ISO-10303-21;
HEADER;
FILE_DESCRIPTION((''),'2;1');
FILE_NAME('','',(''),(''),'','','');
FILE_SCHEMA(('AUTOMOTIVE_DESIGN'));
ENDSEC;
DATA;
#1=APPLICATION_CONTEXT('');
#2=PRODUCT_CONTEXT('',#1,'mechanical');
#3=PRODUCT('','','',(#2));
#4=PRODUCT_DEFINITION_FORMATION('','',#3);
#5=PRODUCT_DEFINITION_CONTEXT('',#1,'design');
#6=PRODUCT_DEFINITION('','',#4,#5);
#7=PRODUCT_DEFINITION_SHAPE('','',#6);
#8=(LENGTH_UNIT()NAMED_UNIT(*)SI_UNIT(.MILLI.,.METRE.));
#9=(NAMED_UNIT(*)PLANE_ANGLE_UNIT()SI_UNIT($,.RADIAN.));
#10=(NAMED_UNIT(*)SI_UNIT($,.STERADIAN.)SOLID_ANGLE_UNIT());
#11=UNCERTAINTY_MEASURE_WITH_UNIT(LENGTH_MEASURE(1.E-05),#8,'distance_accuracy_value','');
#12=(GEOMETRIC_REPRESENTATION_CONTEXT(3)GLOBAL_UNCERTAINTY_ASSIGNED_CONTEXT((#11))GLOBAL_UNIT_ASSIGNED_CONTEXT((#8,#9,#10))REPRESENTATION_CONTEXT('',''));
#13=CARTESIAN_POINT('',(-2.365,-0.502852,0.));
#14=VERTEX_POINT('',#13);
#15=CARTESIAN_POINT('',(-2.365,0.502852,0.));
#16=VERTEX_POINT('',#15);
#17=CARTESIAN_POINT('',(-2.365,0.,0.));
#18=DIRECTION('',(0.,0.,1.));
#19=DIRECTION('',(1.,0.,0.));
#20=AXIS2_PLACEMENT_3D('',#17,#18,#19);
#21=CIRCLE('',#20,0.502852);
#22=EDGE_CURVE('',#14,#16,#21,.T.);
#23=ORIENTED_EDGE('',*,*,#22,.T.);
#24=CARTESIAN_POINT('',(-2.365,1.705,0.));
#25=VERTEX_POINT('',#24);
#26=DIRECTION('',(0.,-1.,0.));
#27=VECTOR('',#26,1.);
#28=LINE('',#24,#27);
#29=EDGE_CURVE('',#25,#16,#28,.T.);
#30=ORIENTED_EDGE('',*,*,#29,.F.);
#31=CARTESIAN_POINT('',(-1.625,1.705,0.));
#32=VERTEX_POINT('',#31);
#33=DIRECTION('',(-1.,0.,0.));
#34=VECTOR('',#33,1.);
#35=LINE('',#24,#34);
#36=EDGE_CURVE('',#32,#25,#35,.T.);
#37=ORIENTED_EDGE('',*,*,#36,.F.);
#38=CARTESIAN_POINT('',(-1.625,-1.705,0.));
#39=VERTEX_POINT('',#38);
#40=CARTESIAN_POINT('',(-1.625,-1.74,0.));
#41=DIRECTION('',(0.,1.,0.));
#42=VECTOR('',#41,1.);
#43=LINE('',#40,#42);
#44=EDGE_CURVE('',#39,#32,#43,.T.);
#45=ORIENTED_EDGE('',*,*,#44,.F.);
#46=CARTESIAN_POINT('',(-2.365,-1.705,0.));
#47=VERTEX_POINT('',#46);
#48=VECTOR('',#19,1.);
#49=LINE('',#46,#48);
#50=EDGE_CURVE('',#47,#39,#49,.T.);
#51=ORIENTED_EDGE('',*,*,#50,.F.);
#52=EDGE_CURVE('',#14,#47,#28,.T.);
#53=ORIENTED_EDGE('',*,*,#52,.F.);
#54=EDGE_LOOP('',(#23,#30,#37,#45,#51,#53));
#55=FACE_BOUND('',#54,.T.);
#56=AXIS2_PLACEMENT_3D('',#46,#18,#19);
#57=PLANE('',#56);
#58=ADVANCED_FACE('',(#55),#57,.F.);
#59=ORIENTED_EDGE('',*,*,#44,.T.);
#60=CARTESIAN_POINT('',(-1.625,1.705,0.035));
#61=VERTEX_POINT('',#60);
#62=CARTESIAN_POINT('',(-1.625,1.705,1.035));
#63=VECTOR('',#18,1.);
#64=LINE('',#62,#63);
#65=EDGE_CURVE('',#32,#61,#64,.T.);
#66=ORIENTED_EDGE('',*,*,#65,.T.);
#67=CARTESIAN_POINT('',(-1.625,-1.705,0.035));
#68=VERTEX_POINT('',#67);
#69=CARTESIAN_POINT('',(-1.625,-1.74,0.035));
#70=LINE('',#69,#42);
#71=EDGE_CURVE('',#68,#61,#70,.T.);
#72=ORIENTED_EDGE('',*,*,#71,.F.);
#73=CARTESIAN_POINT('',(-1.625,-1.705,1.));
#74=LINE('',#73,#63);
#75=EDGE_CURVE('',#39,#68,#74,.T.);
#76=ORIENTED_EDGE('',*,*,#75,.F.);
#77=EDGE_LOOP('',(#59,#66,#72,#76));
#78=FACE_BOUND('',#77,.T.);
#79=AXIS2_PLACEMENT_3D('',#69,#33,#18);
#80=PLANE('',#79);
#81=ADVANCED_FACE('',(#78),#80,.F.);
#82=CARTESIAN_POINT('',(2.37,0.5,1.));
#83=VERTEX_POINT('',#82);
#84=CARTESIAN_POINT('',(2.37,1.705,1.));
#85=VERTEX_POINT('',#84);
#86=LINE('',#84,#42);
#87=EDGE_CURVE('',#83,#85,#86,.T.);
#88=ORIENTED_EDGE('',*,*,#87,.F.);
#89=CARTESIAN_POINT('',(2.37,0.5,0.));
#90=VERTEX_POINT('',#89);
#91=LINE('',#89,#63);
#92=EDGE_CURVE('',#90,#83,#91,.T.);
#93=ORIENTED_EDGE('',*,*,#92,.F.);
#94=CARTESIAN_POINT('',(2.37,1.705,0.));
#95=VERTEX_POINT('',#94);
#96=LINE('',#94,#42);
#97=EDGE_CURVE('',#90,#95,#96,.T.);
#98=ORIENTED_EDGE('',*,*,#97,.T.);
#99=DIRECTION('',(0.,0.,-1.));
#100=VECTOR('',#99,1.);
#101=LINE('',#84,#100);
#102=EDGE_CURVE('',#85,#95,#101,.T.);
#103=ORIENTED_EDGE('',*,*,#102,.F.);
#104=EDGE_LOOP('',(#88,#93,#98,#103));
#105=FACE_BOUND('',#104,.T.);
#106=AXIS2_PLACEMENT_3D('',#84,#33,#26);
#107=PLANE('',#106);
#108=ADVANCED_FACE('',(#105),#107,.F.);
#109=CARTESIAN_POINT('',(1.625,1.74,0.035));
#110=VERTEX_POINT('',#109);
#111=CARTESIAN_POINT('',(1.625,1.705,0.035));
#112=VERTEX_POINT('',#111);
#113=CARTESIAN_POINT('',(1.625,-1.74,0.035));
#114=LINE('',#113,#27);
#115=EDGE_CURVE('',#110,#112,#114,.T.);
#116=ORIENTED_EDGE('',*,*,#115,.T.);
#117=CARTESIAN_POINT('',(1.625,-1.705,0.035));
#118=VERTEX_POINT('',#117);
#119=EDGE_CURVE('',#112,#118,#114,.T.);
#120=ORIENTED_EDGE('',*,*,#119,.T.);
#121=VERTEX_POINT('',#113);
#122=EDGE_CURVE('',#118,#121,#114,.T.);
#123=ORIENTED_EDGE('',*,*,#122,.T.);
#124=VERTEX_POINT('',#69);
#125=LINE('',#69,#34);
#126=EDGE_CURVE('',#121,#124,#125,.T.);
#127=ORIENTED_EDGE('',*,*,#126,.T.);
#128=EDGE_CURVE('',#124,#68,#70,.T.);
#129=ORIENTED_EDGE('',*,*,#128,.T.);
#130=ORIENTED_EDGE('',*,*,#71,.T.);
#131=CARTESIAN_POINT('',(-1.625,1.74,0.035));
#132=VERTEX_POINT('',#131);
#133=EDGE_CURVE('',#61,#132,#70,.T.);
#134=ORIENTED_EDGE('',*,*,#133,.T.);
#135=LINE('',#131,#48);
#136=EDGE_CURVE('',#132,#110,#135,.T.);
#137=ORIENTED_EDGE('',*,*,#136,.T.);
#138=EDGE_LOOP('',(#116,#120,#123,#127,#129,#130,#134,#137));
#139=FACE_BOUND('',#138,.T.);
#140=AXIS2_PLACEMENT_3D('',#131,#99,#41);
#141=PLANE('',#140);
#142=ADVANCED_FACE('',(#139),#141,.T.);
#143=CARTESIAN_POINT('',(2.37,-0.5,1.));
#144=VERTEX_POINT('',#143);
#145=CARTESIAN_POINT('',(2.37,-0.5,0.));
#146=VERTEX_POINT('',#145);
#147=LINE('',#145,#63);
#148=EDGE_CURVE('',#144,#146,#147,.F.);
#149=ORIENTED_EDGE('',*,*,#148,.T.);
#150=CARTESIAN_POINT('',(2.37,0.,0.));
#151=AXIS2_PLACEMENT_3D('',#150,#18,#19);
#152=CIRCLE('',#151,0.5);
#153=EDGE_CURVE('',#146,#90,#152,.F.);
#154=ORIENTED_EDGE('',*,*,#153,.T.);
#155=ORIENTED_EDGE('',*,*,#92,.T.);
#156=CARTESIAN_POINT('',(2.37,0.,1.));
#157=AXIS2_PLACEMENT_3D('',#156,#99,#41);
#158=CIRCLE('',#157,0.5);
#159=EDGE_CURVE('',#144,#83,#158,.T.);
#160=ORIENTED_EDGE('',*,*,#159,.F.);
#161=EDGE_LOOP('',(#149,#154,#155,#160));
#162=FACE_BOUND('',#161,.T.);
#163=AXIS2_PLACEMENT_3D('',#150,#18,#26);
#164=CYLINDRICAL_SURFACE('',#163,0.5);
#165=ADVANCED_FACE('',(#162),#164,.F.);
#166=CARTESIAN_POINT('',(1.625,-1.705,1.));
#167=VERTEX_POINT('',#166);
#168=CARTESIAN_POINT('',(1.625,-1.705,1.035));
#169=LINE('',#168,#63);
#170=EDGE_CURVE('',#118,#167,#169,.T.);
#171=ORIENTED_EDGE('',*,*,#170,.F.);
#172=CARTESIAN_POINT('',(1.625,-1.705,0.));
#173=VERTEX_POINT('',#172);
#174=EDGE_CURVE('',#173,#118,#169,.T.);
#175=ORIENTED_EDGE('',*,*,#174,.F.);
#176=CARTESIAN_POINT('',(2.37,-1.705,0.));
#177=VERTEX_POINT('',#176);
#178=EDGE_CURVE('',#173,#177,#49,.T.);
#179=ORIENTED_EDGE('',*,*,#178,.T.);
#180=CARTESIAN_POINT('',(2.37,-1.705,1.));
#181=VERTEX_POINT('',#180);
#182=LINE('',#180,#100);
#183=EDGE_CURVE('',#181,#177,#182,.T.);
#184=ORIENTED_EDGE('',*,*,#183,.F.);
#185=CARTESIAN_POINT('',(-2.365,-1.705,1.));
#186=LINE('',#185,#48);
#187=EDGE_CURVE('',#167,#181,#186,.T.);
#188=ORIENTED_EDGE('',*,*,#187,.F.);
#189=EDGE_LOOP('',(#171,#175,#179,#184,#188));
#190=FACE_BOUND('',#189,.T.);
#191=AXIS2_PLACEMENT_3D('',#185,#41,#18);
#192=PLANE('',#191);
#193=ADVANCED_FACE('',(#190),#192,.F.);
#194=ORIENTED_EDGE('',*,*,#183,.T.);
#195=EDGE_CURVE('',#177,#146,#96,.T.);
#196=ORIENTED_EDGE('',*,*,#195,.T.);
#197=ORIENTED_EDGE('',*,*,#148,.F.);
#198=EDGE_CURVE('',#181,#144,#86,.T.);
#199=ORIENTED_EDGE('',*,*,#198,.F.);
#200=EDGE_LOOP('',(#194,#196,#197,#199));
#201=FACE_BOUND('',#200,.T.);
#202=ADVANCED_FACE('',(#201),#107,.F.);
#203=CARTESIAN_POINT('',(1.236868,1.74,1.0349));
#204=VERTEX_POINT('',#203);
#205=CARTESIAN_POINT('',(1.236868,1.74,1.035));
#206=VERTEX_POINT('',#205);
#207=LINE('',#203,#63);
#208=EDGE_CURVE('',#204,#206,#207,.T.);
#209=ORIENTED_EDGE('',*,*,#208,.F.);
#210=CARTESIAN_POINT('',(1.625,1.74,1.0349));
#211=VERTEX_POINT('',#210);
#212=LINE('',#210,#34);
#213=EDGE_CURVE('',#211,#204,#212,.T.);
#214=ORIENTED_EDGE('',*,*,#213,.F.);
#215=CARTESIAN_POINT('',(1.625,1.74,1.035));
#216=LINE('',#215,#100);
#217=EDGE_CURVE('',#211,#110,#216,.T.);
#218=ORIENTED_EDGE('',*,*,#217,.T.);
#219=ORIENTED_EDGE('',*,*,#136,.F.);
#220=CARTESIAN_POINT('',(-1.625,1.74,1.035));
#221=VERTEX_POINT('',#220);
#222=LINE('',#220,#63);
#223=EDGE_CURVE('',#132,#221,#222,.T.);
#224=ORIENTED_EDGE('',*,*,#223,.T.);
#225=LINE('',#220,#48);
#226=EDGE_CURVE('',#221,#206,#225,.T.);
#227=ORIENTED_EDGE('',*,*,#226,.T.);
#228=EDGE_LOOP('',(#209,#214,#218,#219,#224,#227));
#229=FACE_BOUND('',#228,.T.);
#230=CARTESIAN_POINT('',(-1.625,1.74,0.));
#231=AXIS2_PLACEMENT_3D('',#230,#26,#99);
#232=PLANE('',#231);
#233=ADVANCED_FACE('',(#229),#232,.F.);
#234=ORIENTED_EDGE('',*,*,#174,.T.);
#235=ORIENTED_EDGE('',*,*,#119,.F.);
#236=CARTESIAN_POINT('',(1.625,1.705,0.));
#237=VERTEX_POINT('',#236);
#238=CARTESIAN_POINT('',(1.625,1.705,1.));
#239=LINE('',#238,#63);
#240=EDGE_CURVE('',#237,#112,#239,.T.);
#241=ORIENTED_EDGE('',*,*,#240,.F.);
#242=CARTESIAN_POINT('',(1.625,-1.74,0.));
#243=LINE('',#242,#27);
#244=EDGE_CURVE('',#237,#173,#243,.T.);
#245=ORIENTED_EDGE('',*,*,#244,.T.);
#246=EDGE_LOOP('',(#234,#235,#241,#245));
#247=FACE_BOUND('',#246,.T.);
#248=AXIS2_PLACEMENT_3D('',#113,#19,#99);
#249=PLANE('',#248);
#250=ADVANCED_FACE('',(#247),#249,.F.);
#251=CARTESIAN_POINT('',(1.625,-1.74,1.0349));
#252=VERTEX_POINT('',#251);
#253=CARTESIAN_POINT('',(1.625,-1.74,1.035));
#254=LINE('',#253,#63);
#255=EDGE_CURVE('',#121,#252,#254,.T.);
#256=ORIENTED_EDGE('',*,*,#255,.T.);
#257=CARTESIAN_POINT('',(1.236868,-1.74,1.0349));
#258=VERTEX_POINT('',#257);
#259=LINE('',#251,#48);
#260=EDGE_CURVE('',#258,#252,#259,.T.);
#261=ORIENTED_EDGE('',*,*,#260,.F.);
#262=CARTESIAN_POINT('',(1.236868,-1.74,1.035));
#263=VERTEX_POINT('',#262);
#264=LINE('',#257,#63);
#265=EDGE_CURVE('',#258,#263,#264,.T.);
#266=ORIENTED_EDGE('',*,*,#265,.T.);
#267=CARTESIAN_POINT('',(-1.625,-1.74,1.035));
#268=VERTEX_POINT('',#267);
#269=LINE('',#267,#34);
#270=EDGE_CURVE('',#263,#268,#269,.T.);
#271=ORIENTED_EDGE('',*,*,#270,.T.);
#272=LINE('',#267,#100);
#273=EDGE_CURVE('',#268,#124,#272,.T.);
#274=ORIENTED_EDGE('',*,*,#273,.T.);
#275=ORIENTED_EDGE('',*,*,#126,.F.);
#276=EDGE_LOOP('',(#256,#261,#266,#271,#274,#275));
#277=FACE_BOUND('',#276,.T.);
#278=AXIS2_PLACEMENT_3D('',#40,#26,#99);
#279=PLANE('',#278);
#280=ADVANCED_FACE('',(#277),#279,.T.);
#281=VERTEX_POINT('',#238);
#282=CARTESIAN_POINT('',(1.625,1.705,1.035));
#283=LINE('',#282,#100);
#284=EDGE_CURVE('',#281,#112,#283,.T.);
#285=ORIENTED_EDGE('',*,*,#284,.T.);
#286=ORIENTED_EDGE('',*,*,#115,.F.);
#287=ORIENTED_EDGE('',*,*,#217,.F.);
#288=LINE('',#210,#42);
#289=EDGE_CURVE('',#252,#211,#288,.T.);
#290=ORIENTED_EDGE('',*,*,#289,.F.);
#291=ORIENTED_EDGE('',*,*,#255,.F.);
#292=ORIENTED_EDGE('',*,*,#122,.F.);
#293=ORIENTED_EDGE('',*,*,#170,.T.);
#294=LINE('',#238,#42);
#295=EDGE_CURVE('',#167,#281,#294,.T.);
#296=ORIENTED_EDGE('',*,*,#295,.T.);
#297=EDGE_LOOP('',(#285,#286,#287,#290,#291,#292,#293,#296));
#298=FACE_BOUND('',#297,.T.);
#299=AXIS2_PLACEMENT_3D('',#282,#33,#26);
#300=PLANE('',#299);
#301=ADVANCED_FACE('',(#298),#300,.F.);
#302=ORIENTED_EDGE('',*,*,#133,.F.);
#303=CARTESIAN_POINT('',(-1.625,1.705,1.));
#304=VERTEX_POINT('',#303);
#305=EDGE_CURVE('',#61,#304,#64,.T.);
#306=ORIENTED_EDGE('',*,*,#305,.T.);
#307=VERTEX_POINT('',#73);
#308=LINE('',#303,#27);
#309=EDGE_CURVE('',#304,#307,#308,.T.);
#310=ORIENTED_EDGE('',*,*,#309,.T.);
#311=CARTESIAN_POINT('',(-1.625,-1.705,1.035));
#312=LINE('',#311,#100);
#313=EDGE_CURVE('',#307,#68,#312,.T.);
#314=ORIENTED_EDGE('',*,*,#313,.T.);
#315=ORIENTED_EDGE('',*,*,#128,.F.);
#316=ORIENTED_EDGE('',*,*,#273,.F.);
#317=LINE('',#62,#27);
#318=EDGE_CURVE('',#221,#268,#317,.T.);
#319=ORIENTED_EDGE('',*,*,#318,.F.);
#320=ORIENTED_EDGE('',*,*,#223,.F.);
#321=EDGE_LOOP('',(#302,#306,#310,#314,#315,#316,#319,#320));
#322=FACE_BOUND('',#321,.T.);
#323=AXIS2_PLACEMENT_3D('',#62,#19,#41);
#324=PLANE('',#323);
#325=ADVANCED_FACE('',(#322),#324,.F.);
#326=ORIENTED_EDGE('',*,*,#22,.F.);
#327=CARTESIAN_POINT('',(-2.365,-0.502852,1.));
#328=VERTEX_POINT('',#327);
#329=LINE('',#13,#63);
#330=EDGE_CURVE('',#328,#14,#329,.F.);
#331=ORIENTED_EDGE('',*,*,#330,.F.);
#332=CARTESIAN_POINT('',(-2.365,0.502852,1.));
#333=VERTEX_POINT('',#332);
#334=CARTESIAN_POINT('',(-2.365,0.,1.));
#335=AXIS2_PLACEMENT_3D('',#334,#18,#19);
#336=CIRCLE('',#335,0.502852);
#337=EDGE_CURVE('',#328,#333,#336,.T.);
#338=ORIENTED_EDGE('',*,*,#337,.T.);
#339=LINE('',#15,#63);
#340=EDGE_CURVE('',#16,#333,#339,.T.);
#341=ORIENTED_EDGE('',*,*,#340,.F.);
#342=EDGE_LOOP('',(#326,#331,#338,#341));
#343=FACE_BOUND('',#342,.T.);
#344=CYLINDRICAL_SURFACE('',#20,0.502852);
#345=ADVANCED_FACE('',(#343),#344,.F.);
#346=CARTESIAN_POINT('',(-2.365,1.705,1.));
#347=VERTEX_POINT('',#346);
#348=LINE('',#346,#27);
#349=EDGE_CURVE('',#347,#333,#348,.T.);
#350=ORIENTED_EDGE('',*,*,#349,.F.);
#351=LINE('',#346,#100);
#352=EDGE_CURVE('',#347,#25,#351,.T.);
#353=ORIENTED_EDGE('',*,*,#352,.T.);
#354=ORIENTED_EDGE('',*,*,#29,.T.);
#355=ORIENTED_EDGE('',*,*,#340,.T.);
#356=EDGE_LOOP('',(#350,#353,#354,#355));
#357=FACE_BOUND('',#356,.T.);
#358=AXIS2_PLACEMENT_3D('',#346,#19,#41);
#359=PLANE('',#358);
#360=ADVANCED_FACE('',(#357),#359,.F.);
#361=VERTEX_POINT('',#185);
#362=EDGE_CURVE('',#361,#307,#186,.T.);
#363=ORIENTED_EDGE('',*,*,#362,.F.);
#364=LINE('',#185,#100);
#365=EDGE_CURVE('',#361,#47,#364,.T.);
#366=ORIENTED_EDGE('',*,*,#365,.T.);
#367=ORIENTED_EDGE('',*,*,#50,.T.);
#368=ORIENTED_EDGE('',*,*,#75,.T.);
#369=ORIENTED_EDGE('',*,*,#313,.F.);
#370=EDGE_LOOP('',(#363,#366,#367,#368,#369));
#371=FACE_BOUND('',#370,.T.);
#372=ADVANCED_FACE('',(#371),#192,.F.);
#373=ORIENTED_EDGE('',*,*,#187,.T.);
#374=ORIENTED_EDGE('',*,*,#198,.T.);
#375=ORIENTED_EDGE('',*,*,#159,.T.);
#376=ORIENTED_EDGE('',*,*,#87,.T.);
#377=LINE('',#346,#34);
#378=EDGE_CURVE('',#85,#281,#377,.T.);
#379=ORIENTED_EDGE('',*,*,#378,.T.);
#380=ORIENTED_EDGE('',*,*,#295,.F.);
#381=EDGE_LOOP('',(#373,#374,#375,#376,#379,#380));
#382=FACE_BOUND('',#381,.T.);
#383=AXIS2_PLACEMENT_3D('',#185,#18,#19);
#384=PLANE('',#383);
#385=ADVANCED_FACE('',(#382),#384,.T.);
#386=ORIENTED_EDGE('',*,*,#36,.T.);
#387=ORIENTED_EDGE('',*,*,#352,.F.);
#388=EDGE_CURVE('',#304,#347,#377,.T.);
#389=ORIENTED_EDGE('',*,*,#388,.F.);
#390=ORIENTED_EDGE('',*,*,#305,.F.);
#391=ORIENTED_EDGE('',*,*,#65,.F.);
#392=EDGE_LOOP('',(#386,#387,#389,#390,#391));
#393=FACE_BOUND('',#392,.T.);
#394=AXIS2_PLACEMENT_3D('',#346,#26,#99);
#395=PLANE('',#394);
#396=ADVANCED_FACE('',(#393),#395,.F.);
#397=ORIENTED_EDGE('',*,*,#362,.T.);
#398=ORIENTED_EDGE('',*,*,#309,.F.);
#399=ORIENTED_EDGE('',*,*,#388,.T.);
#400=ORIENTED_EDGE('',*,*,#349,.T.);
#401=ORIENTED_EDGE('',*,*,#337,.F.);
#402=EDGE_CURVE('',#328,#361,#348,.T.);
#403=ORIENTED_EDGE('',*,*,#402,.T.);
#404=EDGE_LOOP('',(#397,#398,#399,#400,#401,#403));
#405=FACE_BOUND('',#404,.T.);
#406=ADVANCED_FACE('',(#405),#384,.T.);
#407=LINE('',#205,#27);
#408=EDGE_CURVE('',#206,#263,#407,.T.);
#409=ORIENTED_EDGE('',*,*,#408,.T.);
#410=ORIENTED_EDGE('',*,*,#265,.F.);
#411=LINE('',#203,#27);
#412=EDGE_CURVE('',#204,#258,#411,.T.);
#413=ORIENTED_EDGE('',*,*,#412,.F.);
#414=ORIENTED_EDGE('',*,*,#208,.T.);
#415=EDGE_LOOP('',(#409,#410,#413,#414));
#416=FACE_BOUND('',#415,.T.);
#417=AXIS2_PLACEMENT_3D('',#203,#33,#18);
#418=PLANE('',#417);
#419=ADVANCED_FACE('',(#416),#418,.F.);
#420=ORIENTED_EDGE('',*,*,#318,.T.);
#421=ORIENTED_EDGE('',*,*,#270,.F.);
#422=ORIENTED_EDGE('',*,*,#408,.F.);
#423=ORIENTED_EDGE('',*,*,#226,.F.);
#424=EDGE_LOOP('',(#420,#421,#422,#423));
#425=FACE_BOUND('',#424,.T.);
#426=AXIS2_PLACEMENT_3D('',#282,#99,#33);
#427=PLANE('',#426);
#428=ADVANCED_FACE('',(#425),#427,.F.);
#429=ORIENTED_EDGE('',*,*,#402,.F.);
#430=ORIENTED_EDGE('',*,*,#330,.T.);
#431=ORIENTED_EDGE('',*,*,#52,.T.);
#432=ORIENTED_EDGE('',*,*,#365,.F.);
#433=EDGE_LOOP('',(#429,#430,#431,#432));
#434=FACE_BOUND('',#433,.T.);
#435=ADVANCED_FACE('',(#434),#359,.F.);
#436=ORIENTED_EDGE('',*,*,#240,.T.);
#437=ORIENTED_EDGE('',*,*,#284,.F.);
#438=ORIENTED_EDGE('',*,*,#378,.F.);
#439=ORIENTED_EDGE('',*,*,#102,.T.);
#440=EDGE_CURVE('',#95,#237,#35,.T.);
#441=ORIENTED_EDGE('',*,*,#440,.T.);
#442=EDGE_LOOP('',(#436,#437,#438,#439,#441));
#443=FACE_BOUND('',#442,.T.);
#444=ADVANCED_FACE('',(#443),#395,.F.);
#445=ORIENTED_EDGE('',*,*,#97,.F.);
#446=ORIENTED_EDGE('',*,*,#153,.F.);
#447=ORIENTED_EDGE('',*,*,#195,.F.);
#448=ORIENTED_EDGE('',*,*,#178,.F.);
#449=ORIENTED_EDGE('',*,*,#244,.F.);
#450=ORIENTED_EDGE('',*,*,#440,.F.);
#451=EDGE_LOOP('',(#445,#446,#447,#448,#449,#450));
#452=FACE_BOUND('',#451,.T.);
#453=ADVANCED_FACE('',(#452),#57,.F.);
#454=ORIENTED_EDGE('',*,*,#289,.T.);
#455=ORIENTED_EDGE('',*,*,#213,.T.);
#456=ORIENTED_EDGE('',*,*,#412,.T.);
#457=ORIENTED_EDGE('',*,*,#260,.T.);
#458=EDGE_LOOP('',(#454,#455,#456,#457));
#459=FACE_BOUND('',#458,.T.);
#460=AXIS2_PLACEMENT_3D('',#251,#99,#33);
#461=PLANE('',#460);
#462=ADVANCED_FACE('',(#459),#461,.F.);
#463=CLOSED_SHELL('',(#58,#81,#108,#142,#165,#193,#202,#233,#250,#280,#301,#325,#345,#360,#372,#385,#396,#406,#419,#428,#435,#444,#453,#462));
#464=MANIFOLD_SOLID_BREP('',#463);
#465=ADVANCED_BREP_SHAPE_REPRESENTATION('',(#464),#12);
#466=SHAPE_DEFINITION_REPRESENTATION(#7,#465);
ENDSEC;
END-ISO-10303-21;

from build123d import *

# Parameters (mm, degrees)
ESQUISSE1_W             = 4.735
ESQUISSE1_H             = 3.41
EXTRUSION1_DEPTH        = 1
ESQUISSE2_R             = 0.5
ENL_V_MAT_EXTRU_1_DEPTH = 1
ESQUISSE4_R             = 0.502851751
ENL_V_MAT_EXTRU_2_DEPTH = 1
ESQUISSE8_W             = 3.25
ESQUISSE8_H             = 3.41
EXTRUSION3_DEPTH        = 0.035
ESQUISSE10_W            = 3.25
ESQUISSE10_H            = 1.035
EXTRUSION5_DEPTH        = 0.035
ESQUISSE11_W            = 3.25
ESQUISSE11_H            = 1.035
EXTRUSION6_DEPTH        = 0.035
ESQUISSE12_W            = 3.25
ESQUISSE12_H            = 3.48
ENL_V_MAT_EXTRU_6_DEPTH = 0.035
ESQUISSE13_W            = 0.388132222
ESQUISSE13_H            = 3.48
ENL_V_MAT_EXTRU_7_DEPTH = 0.0001


with BuildPart() as part:
    # Esquisse1 → Extrusion1 (new body)
    with BuildSketch(Plane.XY):
        with Locations((0.0025, 0)):
            Rectangle(ESQUISSE1_W, ESQUISSE1_H)
    extrude(amount=EXTRUSION1_DEPTH)

    # Esquisse2 → Enlèv. mat.-Extru.1 (cut)
    with BuildSketch(Plane(origin=(1.48, 0, 1), x_dir=(0, 1, 0), z_dir=(0, 0, -1))):
        with Locations((0, 0.89)):
            Circle(ESQUISSE2_R)
    extrude(amount=ENL_V_MAT_EXTRU_1_DEPTH, mode=Mode.SUBTRACT)

    # Esquisse4 → Enlèv. mat.-Extru.2 (cut)
    with BuildSketch(Plane.XY.offset(1)):
        with Locations((-2.365, 0)):
            Circle(ESQUISSE4_R)
    extrude(amount=-ENL_V_MAT_EXTRU_2_DEPTH, mode=Mode.SUBTRACT)

    # Esquisse8 → Extrusion3 (add)
    with BuildSketch(Plane.XY.offset(1)):
        Rectangle(ESQUISSE8_W, ESQUISSE8_H)
    extrude(amount=EXTRUSION3_DEPTH)

    # Esquisse10 → Extrusion5 (add)
    with BuildSketch(Plane(origin=(0, 1.705, 0), x_dir=(-1, 0, 0), z_dir=(0, 1, 0))):
        with Locations((0, 0.5175)):
            Rectangle(ESQUISSE10_W, ESQUISSE10_H)
    extrude(amount=EXTRUSION5_DEPTH)

    # Esquisse11 → Extrusion6 (add)
    with BuildSketch(Plane.XZ.offset(1.705)):
        with Locations((0, 0.5175)):
            Rectangle(ESQUISSE11_W, ESQUISSE11_H)
    extrude(amount=EXTRUSION6_DEPTH)

    # Esquisse12 → Enlèv. mat.-Extru.6 (cut)
    with BuildSketch(Plane(origin=(0, 0, 0), x_dir=(1, 0, 0), z_dir=(0, 0, -1))):
        Rectangle(ESQUISSE12_W, ESQUISSE12_H)
    extrude(amount=-ENL_V_MAT_EXTRU_6_DEPTH, mode=Mode.SUBTRACT)

    # Esquisse13 → Enlèv. mat.-Extru.7 (cut)
    with BuildSketch(Plane.XY.offset(1.035)):
        with Locations((1.430933889, 0)):
            Rectangle(ESQUISSE13_W, ESQUISSE13_H)
    extrude(amount=-ENL_V_MAT_EXTRU_7_DEPTH, mode=Mode.SUBTRACT)


solid = part.part
